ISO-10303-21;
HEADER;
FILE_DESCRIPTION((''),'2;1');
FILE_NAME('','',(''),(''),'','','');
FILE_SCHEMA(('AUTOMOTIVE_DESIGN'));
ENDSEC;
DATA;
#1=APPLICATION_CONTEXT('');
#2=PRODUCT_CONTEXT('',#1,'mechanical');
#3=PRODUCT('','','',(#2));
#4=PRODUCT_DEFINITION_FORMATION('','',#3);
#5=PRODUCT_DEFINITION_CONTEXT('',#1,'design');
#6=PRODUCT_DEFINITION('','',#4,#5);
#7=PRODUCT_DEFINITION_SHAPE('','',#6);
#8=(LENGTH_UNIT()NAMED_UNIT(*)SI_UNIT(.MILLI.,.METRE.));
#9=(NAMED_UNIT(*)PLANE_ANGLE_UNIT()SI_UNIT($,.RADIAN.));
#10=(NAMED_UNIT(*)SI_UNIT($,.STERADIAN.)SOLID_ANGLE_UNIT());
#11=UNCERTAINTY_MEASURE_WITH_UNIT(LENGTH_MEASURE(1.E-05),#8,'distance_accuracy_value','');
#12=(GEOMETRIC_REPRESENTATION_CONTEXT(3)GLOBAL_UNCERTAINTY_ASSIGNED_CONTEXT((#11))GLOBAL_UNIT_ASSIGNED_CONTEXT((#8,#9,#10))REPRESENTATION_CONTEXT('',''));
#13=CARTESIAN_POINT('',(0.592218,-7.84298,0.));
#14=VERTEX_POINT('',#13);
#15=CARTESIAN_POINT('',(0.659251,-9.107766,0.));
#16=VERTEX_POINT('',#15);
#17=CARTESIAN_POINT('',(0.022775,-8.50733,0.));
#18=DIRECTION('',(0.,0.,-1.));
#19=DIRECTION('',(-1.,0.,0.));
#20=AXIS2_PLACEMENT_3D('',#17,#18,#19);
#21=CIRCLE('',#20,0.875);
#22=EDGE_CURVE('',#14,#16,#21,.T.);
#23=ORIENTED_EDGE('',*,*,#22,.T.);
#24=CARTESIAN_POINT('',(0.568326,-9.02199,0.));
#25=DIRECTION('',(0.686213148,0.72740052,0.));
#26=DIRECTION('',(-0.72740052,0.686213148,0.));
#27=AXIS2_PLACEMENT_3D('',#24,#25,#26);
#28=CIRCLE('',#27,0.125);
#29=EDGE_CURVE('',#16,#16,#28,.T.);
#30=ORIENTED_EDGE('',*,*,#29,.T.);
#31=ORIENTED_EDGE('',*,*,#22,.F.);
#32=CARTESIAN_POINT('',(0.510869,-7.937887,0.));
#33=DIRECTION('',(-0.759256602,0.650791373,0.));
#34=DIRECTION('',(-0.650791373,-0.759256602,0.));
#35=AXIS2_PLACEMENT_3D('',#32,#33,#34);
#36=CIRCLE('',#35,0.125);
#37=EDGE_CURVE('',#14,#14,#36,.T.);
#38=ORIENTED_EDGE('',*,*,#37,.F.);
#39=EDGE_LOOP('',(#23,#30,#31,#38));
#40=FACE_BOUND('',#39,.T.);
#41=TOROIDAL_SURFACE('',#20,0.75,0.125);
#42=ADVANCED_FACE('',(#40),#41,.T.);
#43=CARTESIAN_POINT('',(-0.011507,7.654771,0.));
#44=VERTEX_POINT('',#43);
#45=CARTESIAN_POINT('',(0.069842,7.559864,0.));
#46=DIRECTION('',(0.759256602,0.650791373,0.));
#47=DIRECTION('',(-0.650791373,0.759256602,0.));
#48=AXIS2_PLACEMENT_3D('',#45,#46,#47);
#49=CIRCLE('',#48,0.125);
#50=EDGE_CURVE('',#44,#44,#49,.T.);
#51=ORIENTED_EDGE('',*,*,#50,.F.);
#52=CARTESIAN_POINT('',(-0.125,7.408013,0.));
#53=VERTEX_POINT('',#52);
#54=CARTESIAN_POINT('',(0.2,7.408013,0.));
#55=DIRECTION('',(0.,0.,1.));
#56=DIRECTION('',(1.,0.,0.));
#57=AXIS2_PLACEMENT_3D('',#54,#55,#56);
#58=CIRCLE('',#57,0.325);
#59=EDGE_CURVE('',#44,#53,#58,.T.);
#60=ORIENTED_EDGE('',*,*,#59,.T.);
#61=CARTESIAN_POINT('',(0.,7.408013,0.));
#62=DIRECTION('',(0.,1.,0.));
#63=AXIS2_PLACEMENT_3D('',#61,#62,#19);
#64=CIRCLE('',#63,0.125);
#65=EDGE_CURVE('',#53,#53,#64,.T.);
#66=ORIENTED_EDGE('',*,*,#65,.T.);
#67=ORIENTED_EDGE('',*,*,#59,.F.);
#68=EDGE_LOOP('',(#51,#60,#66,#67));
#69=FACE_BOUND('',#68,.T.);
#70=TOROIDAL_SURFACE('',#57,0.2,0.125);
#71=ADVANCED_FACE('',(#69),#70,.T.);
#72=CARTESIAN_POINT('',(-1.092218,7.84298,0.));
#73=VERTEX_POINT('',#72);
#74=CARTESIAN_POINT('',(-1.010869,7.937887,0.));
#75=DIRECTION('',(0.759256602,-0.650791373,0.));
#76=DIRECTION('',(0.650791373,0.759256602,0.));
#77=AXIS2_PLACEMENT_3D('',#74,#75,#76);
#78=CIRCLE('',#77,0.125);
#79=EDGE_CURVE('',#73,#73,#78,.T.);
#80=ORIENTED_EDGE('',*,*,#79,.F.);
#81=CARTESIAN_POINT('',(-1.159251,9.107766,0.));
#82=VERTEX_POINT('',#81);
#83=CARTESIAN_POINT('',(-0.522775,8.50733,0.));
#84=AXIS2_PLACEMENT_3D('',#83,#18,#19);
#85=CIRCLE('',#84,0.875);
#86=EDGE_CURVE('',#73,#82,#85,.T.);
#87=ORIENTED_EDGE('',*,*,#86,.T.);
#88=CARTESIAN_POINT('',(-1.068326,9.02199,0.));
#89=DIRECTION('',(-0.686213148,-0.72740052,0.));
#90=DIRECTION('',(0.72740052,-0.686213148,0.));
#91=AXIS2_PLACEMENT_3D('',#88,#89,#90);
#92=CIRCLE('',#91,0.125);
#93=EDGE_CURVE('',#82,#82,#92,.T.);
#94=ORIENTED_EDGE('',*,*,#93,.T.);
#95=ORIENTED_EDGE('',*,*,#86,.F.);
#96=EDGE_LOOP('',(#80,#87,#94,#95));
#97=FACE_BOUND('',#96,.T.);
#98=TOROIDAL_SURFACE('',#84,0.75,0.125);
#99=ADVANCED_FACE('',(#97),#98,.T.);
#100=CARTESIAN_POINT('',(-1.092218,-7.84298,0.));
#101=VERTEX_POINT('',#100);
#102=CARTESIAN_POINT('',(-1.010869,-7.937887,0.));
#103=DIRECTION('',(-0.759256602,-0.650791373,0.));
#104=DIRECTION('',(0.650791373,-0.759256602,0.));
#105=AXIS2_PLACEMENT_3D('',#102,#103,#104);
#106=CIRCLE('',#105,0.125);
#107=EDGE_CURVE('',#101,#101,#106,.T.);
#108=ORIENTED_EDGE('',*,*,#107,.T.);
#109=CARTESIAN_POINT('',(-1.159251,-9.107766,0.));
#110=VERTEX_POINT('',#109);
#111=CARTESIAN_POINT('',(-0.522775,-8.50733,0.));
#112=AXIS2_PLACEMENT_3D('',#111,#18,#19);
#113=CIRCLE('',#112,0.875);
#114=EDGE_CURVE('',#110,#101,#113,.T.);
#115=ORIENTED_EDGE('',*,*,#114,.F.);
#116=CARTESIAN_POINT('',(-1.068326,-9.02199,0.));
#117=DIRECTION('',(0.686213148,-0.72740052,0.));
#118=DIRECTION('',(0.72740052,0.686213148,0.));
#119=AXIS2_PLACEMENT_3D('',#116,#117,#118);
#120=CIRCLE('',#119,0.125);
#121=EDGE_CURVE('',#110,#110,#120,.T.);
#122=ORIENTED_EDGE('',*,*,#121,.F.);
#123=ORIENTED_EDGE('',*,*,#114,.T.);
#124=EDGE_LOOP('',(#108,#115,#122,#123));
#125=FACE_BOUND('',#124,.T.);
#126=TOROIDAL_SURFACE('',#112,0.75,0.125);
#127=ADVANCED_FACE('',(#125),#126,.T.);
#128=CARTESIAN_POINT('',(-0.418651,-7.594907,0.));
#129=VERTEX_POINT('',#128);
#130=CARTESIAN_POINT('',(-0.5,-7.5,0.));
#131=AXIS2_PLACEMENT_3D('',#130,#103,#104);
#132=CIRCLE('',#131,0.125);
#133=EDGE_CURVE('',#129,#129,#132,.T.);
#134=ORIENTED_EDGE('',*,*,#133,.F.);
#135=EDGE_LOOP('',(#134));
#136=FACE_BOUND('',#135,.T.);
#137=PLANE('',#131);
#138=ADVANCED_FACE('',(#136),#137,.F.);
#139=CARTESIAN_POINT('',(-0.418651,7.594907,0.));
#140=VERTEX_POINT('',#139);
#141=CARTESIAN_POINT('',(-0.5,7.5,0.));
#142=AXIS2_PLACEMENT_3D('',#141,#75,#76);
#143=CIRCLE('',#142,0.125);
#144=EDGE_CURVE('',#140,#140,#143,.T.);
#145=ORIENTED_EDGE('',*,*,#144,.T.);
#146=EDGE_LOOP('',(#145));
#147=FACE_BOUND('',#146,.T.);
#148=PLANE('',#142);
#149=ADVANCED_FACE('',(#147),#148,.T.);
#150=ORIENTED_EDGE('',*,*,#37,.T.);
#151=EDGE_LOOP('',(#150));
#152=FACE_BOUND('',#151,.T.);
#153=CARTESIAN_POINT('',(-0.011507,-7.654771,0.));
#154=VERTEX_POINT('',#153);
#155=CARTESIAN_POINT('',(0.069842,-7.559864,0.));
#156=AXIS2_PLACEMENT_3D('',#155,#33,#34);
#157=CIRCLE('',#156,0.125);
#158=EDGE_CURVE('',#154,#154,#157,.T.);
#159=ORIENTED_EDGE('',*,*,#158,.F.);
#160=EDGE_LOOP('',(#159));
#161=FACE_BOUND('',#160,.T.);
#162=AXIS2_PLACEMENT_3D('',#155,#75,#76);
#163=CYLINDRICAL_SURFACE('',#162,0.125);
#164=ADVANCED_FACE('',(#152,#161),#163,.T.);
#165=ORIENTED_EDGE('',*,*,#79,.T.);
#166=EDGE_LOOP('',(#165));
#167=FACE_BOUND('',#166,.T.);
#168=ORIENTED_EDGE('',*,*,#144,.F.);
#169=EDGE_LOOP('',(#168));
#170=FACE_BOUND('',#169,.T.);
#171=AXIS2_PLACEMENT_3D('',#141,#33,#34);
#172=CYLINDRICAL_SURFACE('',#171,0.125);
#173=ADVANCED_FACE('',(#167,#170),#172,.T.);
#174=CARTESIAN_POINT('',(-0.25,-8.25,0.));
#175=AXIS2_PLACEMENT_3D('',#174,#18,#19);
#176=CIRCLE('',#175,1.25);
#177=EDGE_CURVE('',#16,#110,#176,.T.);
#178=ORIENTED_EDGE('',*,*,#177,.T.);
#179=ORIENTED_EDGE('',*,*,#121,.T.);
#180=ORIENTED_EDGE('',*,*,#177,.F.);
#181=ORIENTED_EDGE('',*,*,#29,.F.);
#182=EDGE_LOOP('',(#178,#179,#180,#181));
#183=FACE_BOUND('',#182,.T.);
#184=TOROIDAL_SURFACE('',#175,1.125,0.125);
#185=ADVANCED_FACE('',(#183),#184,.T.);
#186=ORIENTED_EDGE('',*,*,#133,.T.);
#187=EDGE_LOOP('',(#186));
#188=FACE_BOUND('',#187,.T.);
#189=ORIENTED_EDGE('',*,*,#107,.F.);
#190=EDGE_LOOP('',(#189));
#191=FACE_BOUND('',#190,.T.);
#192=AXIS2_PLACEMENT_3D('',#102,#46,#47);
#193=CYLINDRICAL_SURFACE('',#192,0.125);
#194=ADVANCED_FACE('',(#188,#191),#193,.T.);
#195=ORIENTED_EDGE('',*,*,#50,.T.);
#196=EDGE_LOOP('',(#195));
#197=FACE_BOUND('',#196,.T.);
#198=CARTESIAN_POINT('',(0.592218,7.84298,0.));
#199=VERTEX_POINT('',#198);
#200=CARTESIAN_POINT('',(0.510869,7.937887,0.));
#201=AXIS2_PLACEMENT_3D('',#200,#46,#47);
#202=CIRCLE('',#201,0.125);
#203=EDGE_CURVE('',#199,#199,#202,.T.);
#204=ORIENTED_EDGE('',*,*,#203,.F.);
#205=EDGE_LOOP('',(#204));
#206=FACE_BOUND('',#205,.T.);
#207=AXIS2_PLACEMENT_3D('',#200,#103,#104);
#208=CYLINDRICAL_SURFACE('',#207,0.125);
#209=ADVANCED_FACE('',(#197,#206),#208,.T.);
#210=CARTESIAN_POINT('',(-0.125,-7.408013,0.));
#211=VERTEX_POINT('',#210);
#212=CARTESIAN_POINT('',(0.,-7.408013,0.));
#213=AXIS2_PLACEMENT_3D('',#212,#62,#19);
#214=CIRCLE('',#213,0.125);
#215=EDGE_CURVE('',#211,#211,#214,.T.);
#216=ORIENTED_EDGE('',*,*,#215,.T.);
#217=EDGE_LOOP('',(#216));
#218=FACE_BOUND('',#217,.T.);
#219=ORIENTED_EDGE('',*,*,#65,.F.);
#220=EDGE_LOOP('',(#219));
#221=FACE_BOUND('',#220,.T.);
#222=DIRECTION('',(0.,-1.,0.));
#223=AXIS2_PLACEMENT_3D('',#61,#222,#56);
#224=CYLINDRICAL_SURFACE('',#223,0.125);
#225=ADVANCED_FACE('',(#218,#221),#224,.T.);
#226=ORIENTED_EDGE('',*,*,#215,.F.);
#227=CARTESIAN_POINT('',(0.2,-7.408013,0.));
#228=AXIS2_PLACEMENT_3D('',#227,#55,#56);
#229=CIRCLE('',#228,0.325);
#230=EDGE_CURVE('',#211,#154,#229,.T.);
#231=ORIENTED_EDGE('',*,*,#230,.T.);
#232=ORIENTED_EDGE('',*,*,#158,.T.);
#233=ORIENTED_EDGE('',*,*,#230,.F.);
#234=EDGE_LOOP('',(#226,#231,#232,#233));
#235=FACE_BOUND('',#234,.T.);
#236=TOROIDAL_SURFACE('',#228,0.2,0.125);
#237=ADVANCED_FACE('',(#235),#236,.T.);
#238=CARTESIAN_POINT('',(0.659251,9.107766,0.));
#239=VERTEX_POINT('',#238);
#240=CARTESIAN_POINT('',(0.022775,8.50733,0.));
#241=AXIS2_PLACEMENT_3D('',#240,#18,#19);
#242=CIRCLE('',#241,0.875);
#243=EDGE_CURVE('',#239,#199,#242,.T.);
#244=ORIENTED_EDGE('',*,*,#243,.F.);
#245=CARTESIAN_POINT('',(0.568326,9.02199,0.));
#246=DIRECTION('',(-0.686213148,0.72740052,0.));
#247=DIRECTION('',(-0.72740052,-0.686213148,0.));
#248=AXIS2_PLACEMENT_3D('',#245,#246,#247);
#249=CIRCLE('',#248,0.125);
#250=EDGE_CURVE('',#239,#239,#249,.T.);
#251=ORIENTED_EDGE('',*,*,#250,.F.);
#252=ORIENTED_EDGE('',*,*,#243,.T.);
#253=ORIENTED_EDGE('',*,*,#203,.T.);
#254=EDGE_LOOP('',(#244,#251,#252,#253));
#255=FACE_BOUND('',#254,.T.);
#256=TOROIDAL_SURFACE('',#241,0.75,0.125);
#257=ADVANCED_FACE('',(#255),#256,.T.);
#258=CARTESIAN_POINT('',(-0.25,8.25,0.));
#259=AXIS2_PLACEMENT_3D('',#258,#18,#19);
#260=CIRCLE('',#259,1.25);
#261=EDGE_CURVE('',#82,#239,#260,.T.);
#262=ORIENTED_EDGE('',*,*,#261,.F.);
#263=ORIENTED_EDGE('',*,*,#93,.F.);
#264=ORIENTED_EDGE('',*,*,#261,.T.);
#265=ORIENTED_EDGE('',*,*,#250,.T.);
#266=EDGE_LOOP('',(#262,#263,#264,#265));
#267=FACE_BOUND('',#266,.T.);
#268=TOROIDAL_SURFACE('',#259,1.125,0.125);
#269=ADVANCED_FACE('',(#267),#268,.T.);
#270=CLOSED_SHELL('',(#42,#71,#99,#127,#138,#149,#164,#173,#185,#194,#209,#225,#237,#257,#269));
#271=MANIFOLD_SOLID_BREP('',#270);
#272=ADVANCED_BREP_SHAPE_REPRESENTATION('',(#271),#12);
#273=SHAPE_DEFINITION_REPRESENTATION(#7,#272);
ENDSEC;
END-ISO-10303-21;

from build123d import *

# Parameters (mm, degrees)
SWEEP1_PROFILE_R = 0.125


with BuildPart() as part:
    # Sweep1: sweep along a path in Sketch1
    with BuildLine(Plane.XY) as sweep1_path:
        Line((-0.5, 7.5), (-1.010868725, 7.937887479))
        ThreePointArc((-1.010868725, 7.937887479), (-1.271724054, 8.46763603), (-1.068325585, 9.021989791))
        ThreePointArc((-1.068325585, 9.021989791), (-0.25, 9.375), (0.568325585, 9.021989791))
        ThreePointArc((0.568325585, 9.021989791), (0.771724054, 8.46763603), (0.510868725, 7.937887479))
        Line((0.510868725, 7.937887479), (0.069841725, 7.559864336))
        ThreePointArc((0.069841725, 7.559864336), (0.01829742, 7.491584377), (0, 7.408013016))
        Line((0, 7.408013016), (0, -7.408013016))
        ThreePointArc((0, -7.408013016), (0.01829742, -7.491584377), (0.069841725, -7.559864336))
        Line((0.069841725, -7.559864336), (0.510868725, -7.937887479))
        ThreePointArc((0.510868725, -7.937887479), (0.771724054, -8.46763603), (0.568325585, -9.021989791))
        ThreePointArc((0.568325585, -9.021989791), (-0.25, -9.375), (-1.068325585, -9.021989791))
        ThreePointArc((-1.068325585, -9.021989791), (-1.271724054, -8.46763603), (-1.010868725, -7.937887479))
        Line((-1.010868725, -7.937887479), (-0.5, -7.5))
    # Sweep1 profile (on start of the path) → Sweep1 (sweep)
    with BuildSketch(Plane(origin=(-0.5, 7.5, 0), x_dir=(-0.6507913734559683, -0.7592566023652969, 0), z_dir=(-0.7592566023652969, 0.6507913734559683, 0))):
        Circle(SWEEP1_PROFILE_R)
    sweep(path=sweep1_path.line)


solid = part.part
